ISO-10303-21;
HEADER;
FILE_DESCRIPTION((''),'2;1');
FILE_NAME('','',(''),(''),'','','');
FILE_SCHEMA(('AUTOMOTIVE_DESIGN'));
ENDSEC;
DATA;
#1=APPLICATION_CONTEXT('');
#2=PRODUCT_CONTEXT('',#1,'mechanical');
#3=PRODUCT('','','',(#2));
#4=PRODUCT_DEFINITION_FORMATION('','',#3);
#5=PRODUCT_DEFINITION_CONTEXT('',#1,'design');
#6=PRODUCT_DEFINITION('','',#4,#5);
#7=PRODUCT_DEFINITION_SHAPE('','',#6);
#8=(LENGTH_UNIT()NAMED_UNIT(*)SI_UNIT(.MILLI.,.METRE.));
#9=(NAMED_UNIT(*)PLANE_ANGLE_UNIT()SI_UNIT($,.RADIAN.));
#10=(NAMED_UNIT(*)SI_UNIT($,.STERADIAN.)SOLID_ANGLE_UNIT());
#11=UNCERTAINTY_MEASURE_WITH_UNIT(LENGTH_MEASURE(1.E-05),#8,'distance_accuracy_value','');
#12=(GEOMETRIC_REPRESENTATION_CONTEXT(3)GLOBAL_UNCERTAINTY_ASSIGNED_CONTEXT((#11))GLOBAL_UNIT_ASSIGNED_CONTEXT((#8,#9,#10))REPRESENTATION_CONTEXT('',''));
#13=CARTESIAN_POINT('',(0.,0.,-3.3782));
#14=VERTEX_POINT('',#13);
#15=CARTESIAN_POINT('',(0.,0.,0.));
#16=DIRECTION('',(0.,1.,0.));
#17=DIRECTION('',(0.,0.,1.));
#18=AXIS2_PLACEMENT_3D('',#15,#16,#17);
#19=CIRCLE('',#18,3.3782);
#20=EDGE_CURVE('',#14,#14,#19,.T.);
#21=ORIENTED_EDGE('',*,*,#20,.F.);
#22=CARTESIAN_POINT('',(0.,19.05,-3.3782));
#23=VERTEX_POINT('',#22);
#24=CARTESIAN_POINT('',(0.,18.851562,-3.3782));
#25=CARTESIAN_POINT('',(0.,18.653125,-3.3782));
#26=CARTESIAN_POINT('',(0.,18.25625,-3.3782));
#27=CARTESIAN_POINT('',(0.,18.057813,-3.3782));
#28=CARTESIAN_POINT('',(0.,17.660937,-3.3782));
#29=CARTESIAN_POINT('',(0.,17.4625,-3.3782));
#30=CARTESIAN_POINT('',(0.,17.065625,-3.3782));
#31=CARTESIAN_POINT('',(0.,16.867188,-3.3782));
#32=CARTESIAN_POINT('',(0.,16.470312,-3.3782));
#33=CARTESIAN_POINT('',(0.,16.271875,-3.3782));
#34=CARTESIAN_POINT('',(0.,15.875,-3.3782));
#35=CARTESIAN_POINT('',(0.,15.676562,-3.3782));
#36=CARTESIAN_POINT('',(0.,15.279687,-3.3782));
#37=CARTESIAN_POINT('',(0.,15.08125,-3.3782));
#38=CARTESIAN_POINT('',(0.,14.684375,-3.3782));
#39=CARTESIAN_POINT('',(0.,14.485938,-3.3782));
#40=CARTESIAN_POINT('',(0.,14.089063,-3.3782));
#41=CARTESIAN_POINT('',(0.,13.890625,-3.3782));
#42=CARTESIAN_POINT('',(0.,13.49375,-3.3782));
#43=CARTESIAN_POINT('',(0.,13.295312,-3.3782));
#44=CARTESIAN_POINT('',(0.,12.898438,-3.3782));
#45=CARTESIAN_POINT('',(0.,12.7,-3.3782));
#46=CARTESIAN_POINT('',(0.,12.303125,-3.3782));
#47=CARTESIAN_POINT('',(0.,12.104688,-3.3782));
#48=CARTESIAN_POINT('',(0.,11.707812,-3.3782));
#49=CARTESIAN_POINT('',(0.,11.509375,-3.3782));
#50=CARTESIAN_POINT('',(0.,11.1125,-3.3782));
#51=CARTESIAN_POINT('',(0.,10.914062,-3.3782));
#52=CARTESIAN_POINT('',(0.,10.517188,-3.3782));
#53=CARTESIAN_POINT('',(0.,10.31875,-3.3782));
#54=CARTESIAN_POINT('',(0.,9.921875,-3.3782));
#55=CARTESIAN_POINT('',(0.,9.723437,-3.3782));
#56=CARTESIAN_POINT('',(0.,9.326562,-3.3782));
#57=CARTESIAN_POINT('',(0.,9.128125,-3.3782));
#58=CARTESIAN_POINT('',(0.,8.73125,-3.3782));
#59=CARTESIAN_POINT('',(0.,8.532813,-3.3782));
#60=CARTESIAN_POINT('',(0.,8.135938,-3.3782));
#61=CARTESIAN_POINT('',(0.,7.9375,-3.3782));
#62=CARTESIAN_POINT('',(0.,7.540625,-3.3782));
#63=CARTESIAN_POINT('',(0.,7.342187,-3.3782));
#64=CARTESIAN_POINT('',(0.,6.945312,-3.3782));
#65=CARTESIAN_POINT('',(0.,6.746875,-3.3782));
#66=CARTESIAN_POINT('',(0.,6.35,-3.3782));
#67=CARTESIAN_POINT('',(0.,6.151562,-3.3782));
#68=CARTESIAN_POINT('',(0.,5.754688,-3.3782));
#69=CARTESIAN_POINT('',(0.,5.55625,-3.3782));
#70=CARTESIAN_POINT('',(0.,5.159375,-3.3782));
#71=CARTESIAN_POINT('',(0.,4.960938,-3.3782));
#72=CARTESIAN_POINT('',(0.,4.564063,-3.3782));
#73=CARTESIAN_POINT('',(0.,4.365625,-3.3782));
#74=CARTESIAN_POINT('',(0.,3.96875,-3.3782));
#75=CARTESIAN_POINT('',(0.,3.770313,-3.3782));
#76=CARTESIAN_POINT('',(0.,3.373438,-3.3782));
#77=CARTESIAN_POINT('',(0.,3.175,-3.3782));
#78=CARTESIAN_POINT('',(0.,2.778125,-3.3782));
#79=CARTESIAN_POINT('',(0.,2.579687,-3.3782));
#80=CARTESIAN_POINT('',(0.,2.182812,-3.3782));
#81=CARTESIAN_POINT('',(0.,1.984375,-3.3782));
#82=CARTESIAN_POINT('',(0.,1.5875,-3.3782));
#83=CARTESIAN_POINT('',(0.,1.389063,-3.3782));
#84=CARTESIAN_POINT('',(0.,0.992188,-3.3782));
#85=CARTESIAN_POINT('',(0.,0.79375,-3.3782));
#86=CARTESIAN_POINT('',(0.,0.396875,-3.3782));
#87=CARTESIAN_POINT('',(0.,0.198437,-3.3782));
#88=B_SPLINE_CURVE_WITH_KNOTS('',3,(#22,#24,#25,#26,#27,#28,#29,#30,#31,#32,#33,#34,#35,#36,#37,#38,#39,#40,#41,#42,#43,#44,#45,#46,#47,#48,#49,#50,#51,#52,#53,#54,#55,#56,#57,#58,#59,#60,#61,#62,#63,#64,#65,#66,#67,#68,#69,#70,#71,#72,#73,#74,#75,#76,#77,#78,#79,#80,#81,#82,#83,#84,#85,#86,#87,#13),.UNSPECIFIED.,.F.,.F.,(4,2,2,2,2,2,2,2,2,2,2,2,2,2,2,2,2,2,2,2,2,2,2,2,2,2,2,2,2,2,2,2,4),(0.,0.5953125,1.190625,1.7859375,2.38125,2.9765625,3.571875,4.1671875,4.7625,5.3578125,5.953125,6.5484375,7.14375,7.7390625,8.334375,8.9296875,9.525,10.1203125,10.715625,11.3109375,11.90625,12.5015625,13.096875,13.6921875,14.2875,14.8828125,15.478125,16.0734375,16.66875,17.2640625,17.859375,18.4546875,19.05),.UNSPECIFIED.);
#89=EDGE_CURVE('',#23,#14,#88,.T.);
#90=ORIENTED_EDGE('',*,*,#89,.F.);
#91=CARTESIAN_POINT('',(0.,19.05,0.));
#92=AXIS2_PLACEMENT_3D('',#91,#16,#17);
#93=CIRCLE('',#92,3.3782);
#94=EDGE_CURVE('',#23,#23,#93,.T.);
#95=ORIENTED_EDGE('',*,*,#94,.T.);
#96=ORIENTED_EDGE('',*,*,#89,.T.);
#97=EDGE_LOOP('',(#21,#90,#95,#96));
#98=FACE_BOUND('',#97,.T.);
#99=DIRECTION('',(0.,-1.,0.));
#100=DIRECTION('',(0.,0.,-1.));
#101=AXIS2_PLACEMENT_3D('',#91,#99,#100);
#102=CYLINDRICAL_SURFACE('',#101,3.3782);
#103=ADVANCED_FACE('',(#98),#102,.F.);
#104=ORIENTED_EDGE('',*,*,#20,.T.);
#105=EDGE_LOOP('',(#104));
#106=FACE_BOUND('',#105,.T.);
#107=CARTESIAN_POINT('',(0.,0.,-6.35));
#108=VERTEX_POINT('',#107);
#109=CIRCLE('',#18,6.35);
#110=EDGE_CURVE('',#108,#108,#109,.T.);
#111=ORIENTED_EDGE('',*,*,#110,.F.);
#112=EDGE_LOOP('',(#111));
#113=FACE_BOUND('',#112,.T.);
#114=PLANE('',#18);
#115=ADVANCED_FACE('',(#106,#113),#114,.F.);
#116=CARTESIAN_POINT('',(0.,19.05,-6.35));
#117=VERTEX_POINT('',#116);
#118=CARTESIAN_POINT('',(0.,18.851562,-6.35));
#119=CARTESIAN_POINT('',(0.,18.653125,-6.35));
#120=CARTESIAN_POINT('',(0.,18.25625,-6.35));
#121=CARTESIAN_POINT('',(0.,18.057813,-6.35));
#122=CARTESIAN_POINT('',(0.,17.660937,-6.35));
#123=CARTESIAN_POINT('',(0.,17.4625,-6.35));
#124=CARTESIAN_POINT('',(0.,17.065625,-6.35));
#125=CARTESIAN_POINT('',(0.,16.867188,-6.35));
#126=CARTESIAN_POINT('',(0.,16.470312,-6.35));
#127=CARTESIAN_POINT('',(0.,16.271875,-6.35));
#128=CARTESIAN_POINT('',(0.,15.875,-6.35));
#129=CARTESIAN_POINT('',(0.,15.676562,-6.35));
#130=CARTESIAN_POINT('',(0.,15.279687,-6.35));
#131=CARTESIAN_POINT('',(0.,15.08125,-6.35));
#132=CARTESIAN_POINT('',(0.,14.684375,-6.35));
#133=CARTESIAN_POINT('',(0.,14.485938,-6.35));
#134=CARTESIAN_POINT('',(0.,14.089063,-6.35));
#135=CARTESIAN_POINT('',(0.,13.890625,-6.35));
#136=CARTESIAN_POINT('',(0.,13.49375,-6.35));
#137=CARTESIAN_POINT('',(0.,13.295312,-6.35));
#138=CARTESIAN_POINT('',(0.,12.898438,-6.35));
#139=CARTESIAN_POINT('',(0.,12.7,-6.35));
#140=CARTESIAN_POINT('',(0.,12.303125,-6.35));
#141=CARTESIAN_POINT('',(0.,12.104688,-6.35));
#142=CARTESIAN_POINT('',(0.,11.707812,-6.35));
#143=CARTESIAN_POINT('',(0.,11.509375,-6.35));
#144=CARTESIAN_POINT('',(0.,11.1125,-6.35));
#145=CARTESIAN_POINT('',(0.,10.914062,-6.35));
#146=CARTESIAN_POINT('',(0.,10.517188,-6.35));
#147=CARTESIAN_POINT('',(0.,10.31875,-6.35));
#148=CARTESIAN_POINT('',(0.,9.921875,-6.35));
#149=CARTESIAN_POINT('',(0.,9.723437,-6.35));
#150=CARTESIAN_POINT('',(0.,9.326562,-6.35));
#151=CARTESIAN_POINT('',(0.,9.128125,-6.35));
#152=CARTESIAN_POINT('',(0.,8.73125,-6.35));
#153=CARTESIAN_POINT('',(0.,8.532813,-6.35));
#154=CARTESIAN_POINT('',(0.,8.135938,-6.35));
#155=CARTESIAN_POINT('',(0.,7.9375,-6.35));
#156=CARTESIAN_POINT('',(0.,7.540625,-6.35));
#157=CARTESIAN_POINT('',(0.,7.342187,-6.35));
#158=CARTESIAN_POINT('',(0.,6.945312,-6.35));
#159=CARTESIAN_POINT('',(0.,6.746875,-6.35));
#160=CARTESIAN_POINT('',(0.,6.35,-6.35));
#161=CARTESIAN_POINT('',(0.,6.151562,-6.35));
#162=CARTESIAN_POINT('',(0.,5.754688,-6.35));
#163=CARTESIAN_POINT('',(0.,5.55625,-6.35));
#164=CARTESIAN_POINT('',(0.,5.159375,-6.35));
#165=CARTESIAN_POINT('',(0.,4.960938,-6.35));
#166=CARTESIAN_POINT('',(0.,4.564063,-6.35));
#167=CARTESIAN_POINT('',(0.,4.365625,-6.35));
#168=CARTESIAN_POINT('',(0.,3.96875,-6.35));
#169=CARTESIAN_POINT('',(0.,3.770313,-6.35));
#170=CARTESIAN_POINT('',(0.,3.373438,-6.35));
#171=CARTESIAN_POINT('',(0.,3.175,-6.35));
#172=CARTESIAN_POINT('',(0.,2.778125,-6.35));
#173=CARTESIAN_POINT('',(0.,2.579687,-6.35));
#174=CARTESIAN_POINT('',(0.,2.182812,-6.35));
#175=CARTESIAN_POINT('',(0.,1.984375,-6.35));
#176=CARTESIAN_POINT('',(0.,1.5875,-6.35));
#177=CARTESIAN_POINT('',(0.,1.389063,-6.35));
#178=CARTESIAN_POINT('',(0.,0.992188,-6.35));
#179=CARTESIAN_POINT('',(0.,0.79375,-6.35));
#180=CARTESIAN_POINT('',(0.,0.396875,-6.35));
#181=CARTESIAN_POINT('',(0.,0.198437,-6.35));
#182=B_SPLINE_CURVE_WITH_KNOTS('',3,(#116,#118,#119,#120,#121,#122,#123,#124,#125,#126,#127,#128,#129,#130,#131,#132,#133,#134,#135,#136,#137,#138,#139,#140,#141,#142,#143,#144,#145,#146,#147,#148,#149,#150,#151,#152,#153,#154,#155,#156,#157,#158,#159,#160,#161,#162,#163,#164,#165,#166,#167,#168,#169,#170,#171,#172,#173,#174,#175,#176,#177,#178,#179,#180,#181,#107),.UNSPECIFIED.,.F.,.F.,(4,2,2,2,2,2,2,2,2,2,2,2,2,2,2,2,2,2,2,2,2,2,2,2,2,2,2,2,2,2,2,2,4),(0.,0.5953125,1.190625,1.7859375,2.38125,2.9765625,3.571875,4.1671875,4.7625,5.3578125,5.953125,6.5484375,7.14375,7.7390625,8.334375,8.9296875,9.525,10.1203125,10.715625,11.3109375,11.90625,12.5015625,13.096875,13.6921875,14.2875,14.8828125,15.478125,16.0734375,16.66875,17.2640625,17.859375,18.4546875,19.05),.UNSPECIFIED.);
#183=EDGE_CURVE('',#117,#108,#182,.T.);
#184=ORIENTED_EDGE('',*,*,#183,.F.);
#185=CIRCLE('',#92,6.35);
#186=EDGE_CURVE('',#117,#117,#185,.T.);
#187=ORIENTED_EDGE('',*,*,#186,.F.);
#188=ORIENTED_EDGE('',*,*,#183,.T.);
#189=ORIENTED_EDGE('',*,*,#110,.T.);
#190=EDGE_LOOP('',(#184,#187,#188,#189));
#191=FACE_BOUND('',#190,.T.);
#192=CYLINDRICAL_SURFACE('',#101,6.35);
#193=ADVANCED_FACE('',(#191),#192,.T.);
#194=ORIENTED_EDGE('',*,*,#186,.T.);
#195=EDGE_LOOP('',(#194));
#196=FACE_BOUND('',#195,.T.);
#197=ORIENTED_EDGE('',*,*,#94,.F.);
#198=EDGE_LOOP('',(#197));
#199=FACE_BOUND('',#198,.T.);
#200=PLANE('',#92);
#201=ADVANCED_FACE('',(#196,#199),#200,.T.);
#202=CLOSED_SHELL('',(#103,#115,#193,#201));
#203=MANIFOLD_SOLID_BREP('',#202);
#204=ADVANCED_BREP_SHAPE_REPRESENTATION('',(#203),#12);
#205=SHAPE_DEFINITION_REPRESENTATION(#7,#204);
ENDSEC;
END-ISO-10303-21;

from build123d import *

# Parameters (mm, degrees)
SKETCH1_R      = 6.35
SKETCH1_R_2    = 3.3782
EXTRUDE1_DEPTH = 19.05


with BuildPart() as part:
    # Sketch1 → Extrude1 (new body)
    with BuildSketch(Plane(origin=(0, 0, 0), x_dir=(1, 0, 0), z_dir=(0, 1, 0))):
        with Locations(Location((0, 0, 0), (0, 0, 90))):
            Circle(SKETCH1_R)
        with Locations(Location((0, 0, 0), (0, 0, 90))):
            Circle(SKETCH1_R_2, mode=Mode.SUBTRACT)
    extrude(amount=EXTRUDE1_DEPTH)


solid = part.part
